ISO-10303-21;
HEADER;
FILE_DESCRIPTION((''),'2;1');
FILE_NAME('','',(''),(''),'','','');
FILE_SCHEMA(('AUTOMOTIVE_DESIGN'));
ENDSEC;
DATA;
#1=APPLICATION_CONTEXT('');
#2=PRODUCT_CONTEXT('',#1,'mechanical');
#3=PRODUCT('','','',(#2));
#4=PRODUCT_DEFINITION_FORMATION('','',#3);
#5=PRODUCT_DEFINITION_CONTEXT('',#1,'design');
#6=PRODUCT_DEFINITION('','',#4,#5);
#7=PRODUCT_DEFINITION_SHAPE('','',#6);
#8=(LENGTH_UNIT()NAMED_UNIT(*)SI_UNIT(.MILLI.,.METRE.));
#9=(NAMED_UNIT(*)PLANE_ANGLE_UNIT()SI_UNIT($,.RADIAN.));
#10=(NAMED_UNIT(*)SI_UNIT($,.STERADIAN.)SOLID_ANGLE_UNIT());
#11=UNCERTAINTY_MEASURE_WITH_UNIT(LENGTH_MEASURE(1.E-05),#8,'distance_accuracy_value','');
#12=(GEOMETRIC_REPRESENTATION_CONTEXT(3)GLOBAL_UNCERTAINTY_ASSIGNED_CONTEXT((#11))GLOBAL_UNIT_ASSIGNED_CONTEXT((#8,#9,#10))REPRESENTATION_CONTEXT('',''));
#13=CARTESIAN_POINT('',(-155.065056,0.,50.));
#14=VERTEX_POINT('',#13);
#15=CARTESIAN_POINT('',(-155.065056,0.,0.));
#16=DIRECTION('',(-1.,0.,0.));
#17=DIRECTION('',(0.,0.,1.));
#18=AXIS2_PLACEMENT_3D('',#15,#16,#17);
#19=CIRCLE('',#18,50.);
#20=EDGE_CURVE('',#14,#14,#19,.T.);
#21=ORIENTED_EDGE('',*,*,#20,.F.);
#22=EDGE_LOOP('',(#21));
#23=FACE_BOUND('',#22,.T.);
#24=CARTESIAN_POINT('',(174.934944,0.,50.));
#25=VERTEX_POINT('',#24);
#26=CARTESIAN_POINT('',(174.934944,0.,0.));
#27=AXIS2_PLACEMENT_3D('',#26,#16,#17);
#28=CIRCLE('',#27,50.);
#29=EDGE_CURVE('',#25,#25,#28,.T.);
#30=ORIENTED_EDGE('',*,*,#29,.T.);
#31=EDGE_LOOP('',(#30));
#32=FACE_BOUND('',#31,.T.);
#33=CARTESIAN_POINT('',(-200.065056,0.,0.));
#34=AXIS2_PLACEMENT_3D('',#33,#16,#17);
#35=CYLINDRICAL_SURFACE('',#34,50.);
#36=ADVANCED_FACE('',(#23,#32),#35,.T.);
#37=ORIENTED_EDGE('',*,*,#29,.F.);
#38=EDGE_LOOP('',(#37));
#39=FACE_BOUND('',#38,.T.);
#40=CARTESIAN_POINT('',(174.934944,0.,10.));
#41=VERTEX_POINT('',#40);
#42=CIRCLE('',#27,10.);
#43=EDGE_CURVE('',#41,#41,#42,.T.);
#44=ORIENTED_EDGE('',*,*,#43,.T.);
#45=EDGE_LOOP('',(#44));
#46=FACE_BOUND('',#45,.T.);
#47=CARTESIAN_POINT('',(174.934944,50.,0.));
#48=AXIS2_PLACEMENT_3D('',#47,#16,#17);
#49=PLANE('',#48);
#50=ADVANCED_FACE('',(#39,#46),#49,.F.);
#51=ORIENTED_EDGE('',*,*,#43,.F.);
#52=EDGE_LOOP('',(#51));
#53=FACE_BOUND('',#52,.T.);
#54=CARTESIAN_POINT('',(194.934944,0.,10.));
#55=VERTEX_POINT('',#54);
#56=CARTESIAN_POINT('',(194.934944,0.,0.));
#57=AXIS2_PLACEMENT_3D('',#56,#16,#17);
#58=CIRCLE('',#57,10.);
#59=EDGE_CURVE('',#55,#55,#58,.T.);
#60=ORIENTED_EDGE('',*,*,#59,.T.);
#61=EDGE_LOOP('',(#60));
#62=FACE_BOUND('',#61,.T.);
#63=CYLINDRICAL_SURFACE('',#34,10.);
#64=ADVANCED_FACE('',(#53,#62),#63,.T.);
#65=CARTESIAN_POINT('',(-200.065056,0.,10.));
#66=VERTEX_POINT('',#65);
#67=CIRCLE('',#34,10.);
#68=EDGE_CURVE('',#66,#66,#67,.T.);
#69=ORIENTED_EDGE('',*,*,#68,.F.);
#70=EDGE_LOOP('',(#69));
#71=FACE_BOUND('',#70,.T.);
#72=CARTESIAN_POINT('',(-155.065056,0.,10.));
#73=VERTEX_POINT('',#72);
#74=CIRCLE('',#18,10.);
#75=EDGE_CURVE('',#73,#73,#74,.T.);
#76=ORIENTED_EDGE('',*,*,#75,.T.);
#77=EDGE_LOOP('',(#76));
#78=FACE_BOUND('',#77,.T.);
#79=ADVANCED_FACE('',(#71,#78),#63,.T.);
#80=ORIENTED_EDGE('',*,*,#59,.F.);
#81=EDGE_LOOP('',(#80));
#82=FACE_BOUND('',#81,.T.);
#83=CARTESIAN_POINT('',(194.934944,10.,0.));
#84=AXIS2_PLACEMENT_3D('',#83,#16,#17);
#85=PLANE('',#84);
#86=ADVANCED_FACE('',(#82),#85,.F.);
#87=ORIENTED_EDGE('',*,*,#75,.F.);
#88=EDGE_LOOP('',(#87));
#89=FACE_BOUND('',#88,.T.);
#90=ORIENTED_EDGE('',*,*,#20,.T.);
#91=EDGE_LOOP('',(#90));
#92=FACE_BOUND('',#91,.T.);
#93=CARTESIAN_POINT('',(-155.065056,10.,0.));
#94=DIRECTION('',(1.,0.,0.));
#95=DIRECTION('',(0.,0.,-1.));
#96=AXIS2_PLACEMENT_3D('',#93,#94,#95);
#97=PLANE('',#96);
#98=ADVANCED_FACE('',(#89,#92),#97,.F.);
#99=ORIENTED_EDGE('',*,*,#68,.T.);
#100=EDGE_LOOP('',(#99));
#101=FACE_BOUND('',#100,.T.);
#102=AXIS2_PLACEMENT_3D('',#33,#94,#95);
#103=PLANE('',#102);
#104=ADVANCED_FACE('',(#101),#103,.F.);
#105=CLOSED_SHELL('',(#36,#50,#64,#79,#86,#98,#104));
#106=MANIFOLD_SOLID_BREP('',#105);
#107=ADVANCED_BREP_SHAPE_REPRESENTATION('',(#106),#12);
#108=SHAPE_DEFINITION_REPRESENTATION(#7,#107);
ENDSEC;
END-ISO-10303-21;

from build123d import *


with BuildPart() as part:
    # Sketch1 → Revolve1 (revolve)
    with BuildSketch(Plane.XY, mode=Mode.PRIVATE) as revolve1_sk:
        Polygon((-200.065055762, 0), (-200.065055762, 10), (-155.065055762, 10), (-155.065055762, 50), (174.934944238, 50), (174.934944238, 10), (194.934944238, 10), (194.934944238, 0), align=None)
    revolve(revolve1_sk.sketch.rotate(Axis((-200.065055762, 0, 0), (1, 0, 0)), 90), axis=Axis((-200.065055762, 0, 0), (1, 0, 0)))


solid = part.part
